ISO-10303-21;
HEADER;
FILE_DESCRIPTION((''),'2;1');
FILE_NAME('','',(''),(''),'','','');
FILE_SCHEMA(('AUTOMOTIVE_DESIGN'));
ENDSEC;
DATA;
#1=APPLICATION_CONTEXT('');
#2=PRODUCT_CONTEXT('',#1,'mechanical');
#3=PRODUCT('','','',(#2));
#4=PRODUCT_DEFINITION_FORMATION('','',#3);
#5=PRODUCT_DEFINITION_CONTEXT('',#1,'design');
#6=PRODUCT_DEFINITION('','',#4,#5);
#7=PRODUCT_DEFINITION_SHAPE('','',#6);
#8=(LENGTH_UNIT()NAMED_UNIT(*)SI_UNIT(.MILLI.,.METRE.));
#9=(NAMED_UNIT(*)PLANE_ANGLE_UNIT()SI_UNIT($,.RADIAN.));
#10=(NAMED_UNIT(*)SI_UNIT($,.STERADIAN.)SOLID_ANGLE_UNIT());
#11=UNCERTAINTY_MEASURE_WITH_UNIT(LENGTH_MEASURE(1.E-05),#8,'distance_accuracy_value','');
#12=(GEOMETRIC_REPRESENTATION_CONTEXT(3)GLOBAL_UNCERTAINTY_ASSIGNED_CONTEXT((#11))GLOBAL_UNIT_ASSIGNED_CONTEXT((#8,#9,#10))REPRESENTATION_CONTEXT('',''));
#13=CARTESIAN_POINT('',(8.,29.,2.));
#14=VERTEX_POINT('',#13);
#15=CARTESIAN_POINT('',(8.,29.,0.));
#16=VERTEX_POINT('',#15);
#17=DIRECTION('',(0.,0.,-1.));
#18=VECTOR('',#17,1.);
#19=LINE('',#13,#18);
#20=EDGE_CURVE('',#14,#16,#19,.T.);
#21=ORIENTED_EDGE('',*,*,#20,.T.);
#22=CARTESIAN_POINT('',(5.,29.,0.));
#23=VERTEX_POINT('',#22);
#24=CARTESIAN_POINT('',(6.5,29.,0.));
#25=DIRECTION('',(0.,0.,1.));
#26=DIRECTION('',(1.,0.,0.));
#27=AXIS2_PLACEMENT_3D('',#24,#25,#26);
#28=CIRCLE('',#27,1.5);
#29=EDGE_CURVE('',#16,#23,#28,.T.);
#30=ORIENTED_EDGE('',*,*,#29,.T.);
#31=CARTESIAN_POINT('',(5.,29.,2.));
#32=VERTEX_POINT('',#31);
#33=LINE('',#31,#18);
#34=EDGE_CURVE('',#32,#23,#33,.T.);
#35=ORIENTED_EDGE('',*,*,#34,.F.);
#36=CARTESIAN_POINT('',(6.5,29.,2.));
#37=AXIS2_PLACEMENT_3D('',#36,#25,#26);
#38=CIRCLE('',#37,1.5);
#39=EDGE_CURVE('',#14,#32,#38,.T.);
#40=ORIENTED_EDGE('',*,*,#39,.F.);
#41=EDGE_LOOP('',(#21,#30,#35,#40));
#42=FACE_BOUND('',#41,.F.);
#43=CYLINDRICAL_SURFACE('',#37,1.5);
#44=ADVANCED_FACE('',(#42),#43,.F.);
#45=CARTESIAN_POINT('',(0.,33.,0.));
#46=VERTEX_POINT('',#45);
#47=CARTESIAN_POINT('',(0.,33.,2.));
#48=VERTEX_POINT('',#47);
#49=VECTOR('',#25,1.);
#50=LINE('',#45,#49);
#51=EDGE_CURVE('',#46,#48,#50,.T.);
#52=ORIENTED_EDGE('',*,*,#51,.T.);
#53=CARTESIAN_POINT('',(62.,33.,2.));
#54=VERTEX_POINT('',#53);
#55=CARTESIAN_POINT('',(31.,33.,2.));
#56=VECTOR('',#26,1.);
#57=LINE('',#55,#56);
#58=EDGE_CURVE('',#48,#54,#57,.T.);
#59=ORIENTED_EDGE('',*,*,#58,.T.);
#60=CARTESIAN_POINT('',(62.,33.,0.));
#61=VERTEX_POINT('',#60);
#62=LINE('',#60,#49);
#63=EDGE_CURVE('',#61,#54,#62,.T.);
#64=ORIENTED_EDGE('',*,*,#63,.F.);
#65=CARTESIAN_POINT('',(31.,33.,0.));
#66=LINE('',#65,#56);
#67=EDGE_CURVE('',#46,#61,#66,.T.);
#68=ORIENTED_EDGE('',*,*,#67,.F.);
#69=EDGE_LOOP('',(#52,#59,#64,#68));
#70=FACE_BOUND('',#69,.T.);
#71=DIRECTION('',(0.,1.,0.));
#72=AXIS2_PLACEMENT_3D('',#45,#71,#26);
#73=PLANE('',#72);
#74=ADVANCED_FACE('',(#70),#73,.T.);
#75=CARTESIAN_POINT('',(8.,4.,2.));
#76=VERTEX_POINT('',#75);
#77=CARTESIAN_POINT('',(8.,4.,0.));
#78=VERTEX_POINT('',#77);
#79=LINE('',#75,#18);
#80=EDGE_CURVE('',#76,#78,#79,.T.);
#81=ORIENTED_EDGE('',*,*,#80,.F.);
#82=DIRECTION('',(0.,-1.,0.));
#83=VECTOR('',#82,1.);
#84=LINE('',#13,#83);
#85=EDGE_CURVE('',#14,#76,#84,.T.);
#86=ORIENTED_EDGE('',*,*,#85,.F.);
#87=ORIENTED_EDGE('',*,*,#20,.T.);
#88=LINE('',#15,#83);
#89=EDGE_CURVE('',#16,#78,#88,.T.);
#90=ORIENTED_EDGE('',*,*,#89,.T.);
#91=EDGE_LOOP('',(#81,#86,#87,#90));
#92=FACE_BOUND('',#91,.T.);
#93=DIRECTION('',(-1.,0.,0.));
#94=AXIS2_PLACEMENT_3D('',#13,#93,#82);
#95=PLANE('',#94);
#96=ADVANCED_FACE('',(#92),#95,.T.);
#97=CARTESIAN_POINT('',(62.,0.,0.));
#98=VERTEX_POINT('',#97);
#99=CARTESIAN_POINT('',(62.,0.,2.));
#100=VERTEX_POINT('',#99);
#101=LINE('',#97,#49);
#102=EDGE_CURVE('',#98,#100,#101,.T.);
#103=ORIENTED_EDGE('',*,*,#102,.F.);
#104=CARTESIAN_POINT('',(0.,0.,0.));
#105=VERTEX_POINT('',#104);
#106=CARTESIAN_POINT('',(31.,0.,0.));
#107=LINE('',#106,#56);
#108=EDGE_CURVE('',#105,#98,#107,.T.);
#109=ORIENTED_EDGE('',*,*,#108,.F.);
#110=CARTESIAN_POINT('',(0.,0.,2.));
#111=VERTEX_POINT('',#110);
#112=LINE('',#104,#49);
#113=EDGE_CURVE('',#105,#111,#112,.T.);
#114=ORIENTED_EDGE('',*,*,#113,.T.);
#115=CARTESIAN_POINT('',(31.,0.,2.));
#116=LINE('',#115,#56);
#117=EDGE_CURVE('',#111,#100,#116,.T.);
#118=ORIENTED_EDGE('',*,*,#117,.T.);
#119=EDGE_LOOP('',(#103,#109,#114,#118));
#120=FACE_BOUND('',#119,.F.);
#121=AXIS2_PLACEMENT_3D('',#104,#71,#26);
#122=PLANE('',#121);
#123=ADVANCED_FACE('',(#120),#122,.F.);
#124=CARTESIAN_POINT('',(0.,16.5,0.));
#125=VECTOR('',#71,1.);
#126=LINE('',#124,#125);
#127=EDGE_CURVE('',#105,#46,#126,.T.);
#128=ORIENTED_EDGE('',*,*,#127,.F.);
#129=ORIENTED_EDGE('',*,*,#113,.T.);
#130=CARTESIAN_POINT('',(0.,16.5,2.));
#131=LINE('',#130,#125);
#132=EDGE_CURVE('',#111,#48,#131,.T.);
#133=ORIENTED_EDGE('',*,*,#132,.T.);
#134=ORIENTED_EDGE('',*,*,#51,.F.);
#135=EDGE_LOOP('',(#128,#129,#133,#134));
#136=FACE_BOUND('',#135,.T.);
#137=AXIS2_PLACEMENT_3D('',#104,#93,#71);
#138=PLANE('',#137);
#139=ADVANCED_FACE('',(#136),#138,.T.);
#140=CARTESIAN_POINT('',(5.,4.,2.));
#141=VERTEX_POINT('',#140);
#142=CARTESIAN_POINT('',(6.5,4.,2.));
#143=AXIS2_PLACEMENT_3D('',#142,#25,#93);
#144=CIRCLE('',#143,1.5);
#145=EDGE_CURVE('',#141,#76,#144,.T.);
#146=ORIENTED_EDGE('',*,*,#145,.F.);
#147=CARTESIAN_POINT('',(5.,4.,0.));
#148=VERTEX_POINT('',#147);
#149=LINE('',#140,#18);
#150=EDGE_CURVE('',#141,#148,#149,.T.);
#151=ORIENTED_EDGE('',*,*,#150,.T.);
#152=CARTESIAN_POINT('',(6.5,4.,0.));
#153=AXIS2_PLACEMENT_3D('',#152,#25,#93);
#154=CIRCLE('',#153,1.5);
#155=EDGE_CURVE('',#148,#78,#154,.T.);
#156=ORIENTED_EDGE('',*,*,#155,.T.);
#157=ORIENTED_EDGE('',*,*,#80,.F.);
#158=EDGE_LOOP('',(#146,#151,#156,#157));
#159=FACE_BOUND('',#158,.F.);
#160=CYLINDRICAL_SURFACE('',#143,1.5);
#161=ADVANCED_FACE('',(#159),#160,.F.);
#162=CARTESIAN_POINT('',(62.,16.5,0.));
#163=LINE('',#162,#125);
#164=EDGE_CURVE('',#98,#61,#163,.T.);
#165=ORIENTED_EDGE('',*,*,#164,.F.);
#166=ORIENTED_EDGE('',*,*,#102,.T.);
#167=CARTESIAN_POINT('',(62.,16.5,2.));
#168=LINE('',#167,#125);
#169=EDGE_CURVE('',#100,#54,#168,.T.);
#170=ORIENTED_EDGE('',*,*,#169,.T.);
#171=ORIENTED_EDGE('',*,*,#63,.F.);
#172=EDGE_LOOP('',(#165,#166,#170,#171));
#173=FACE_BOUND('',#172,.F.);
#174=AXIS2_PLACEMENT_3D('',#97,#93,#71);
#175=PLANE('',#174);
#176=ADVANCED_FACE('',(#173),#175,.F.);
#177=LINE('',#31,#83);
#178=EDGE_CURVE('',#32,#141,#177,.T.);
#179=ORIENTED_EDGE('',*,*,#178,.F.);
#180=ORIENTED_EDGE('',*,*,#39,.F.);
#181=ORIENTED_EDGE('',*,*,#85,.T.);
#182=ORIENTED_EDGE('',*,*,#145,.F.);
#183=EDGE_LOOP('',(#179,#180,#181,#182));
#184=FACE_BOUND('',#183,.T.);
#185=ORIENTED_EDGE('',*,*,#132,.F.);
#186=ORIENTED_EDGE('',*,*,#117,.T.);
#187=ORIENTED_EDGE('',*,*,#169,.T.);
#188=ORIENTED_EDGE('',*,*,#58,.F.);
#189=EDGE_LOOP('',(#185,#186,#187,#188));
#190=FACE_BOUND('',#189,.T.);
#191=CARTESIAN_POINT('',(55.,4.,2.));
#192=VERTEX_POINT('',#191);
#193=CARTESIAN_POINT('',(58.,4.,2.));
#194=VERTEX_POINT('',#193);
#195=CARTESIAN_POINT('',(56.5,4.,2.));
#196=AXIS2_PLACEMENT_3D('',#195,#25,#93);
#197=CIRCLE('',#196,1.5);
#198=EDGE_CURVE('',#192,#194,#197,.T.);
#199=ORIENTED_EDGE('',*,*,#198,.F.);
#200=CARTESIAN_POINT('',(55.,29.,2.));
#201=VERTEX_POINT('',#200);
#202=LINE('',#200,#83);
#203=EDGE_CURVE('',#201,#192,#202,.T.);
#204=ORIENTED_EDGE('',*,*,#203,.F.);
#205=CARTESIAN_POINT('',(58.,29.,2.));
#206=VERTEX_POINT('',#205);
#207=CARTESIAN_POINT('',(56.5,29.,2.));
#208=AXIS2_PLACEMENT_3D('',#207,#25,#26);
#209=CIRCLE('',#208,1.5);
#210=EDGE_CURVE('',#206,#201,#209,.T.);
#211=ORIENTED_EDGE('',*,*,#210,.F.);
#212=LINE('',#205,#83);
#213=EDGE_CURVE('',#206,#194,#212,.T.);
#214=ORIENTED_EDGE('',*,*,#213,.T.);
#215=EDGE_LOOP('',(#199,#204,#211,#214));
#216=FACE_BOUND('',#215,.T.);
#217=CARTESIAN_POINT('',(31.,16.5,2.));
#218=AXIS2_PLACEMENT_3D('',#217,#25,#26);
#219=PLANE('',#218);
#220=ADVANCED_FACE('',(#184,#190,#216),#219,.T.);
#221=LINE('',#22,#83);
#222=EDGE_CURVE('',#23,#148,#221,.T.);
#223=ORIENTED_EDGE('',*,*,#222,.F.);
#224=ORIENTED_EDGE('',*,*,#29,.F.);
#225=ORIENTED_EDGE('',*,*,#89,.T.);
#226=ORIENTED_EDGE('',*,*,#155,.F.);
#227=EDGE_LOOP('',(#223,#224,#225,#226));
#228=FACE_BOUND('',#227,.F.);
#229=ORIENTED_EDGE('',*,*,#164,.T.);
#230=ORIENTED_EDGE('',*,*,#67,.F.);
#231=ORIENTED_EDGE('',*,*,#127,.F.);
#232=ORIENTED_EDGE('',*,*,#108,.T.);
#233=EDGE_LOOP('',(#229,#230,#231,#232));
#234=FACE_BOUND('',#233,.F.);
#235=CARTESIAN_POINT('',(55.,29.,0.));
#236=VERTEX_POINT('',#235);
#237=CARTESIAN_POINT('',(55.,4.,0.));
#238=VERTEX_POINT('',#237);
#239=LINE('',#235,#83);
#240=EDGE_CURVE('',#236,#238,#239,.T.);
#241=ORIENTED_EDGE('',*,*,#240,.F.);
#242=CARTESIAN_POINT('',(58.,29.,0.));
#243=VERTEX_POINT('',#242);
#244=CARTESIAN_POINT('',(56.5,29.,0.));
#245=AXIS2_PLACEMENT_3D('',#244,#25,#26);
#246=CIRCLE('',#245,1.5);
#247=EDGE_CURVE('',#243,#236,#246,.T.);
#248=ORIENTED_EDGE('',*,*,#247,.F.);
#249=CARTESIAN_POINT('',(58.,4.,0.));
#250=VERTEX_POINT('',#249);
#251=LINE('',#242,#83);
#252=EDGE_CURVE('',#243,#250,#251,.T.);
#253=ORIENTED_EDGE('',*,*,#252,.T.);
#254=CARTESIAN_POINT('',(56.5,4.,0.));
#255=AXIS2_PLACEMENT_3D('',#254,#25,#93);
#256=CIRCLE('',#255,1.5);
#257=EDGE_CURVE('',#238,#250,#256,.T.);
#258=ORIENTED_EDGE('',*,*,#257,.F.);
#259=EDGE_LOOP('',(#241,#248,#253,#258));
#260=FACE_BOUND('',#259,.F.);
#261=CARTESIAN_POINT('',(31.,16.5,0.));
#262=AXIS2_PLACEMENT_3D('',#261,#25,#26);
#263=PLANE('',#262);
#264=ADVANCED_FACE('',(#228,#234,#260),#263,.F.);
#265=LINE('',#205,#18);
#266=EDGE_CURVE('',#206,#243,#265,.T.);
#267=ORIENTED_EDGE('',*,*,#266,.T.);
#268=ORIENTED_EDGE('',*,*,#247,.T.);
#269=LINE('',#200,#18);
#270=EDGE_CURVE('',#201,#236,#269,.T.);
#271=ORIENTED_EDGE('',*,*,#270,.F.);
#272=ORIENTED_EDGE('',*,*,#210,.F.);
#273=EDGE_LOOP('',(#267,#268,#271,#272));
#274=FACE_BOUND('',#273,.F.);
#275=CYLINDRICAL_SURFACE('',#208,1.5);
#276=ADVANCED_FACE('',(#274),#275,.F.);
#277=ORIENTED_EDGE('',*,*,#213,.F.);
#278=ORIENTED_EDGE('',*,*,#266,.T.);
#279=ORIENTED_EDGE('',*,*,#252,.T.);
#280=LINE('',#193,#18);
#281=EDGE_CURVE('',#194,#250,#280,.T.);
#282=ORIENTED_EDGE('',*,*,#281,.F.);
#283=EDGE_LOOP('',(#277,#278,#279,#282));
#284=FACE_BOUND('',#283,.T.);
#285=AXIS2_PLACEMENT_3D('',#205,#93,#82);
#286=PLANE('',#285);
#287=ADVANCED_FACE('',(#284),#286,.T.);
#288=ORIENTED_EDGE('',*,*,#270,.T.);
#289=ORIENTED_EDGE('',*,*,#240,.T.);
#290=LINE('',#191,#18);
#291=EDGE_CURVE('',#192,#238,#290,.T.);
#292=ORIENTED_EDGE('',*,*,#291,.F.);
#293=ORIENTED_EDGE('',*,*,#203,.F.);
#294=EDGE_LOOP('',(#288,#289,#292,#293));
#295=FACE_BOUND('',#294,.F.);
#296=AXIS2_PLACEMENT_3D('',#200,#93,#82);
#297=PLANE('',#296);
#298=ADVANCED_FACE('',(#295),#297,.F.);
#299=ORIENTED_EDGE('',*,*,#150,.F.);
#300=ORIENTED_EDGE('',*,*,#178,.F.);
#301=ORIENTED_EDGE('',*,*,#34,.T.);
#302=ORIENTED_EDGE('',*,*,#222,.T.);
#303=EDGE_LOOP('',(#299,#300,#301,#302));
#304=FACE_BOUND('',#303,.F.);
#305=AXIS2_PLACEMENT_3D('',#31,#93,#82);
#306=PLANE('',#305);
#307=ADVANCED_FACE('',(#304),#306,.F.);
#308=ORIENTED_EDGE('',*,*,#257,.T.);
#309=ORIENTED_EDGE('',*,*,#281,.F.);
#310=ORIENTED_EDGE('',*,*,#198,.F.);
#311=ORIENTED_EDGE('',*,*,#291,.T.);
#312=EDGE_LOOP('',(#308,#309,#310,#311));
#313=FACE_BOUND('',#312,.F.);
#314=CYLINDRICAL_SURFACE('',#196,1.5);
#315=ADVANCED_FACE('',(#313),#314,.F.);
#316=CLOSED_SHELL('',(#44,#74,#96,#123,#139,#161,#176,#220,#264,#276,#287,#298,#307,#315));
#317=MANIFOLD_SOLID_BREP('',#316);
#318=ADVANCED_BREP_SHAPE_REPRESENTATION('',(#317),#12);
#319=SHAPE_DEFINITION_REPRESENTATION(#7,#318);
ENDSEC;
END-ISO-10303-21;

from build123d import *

# Parameters (mm, degrees)
SKETCH_W     = 62
SKETCH_H     = 33
PAD_DEPTH    = 2
POCKET_DEPTH = 2


with BuildPart() as part:
    # Sketch → Pad (new body)
    with BuildSketch(Plane.XY):
        with Locations((31, 16.5)):
            Rectangle(SKETCH_W, SKETCH_H)
    extrude(amount=PAD_DEPTH)

    # Sketch001 → Pocket (cut)
    with BuildSketch(Plane.XY.offset(2)):
        with BuildLine():
            ThreePointArc((8, 29), (6.5, 30.5), (5, 29))
            Line((5, 29), (5, 4))
            ThreePointArc((5, 4), (6.5, 2.5), (8, 4))
            Line((8, 29), (8, 4))
        make_face()
        with BuildLine():
            ThreePointArc((58, 29), (56.5, 30.5), (55, 29))
            Line((55, 29), (55, 4))
            ThreePointArc((55, 4), (56.5, 2.5), (58, 4))
            Line((58, 29), (58, 4))
        make_face()
    extrude(amount=-POCKET_DEPTH, mode=Mode.SUBTRACT)


solid = part.part
